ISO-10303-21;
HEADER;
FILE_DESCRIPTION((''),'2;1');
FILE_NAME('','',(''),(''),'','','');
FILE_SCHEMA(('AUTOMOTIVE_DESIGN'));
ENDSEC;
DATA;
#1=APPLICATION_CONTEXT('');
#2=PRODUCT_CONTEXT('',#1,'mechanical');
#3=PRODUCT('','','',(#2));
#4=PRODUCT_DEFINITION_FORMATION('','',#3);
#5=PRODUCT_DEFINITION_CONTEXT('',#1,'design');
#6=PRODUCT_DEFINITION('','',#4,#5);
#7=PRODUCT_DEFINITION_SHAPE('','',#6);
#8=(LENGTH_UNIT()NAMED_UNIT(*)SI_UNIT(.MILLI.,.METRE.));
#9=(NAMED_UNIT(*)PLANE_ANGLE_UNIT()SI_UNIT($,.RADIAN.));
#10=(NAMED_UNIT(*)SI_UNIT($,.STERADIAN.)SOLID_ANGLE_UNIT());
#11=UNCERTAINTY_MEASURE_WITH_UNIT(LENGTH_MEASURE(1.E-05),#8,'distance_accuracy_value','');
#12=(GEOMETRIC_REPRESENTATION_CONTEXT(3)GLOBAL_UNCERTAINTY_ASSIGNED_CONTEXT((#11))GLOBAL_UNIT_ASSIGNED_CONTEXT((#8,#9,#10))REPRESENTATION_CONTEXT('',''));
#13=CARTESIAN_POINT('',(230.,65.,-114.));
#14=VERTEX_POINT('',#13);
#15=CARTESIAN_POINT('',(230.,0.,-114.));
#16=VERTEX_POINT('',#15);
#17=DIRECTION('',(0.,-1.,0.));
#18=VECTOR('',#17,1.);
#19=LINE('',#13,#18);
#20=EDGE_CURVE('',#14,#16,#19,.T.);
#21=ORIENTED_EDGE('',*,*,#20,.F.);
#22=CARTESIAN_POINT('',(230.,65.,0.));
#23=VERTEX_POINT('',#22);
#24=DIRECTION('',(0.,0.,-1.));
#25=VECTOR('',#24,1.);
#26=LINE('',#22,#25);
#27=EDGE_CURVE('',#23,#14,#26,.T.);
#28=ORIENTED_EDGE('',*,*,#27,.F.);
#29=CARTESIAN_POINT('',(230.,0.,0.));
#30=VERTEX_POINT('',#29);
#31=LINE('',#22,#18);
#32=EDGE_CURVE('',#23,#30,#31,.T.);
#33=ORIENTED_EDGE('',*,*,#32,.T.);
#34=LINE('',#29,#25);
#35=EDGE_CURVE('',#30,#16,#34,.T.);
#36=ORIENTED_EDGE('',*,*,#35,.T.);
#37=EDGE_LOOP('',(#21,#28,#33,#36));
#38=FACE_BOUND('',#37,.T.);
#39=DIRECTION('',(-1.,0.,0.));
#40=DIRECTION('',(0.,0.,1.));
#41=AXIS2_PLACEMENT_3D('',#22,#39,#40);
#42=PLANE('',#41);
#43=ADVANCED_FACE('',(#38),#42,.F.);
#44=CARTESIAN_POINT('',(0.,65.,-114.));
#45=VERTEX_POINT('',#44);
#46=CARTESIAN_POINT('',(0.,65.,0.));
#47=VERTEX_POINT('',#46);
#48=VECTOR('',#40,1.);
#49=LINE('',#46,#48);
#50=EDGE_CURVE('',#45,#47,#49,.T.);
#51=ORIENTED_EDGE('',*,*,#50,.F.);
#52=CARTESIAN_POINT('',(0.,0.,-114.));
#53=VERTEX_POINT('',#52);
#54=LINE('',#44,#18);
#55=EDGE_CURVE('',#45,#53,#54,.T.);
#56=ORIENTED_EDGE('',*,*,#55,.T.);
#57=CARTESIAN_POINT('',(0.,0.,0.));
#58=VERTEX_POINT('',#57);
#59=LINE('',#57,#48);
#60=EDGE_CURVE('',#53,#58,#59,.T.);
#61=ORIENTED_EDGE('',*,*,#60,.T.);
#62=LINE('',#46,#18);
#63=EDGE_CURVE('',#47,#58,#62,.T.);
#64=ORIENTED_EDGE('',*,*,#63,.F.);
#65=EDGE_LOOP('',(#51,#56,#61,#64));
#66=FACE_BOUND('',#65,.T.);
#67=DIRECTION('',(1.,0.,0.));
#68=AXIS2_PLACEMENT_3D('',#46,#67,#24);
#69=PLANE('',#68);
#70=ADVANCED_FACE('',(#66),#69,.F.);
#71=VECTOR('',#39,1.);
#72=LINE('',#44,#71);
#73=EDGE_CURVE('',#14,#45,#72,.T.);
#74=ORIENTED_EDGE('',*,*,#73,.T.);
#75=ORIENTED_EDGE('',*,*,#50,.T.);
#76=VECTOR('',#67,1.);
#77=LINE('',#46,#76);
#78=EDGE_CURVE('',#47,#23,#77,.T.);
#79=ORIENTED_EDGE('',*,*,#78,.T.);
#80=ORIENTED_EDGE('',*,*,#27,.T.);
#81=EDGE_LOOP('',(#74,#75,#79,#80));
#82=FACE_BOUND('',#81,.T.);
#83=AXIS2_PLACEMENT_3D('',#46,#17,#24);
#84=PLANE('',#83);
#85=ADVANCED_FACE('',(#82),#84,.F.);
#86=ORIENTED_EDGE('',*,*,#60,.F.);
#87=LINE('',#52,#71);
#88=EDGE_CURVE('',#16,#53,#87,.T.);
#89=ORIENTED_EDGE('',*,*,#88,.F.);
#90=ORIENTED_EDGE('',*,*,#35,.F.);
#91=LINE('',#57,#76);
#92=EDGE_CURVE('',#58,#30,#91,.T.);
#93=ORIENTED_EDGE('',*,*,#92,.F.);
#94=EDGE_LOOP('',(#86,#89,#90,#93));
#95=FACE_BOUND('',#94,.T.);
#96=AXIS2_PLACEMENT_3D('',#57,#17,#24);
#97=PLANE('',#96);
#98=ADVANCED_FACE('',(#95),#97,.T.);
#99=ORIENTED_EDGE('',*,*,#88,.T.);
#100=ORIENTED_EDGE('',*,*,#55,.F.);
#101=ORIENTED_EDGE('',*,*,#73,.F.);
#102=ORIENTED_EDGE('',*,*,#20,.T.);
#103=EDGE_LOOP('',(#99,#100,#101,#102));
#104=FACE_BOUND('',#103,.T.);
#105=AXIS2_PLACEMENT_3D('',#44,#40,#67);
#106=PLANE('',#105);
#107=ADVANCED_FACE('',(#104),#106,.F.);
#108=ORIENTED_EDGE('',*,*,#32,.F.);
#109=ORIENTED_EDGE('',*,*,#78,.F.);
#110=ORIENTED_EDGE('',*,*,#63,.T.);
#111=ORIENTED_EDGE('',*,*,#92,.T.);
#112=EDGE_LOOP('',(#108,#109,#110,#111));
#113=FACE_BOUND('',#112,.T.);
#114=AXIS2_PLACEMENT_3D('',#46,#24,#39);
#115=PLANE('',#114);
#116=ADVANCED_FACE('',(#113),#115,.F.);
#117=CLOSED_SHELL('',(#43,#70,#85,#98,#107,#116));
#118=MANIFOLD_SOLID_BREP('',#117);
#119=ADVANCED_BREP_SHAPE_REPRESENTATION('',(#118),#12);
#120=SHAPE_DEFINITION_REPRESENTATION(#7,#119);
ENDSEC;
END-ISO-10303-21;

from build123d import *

# Parameters (mm, degrees)
SKETCH_1_W      = 230
SKETCH_1_H      = 114
EXTRUDE_1_DEPTH = 65


with BuildPart() as part:
    # Эскиз1 → Бобышка-Вытянуть1 (new body)
    with BuildSketch(Plane(origin=(0, 0, 0), x_dir=(1, 0, 0), z_dir=(0, 1, 0))):
        with Locations((115, 57)):
            Rectangle(SKETCH_1_W, SKETCH_1_H)
    extrude(amount=EXTRUDE_1_DEPTH)


solid = part.part
